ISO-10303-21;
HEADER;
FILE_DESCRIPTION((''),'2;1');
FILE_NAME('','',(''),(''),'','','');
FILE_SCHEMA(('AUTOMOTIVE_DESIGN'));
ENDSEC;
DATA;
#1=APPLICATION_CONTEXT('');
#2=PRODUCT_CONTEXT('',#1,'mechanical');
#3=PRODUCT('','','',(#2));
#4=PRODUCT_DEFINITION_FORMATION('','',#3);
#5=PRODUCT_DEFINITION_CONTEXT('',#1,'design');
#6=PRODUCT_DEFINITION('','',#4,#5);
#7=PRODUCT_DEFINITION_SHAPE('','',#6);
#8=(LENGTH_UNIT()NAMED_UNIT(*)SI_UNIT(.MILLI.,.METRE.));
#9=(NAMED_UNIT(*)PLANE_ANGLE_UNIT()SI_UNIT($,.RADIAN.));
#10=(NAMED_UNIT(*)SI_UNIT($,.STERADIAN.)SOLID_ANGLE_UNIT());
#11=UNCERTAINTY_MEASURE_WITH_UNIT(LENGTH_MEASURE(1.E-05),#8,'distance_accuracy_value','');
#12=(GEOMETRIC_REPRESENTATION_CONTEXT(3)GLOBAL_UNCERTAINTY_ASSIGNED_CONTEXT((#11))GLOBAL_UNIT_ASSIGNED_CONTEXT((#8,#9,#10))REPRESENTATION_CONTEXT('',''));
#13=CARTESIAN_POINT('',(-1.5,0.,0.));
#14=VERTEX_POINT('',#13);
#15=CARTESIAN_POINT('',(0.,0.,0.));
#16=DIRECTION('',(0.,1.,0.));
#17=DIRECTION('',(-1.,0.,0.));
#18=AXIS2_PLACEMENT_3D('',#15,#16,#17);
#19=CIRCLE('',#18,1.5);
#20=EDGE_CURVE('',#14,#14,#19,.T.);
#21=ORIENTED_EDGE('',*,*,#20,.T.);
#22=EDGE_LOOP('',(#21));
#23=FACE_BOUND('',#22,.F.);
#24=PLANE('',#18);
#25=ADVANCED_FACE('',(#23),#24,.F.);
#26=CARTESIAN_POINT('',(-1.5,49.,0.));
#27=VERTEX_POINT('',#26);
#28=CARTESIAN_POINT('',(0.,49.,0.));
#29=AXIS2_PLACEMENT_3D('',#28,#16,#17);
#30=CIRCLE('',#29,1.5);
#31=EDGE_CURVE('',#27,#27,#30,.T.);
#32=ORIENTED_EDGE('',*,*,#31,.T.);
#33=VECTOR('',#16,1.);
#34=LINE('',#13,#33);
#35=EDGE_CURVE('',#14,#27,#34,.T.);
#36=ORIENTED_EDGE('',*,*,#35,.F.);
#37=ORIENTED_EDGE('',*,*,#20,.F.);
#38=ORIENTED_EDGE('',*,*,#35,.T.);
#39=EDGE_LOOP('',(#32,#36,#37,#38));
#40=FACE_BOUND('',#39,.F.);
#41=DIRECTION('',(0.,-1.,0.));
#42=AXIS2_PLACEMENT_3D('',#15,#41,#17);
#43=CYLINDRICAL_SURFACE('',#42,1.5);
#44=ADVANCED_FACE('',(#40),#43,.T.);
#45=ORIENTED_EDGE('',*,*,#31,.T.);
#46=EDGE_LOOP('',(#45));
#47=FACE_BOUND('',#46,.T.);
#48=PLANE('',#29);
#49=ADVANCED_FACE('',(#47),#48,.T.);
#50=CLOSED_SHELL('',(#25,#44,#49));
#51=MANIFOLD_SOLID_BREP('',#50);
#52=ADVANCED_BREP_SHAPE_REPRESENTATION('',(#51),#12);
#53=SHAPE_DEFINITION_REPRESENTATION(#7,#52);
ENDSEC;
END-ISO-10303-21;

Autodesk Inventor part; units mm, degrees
ref_plane "YZ Plane" through (0, 0, 0) normal (1, 0, 0) x (0, 1, 0)
ref_plane "XZ Plane" through (0, 0, 0) normal (0, 1, 0) x (-1, 0, 0)
ref_plane "XY Plane" through (0, 0, 0) normal (0, 0, 1) x (1, 0, 0)
sketch "スケッチ1" plane through (0, 0, 0) normal (0, 1, 0) x (-1, 0, 0)
  circle A0 centre (0, 0) radius 1.5
  dimension "d0" = 3
extrude "押し出し1" add sketch "スケッチ1" along normal blind 49
properties part number "タミヤダンパー部品5" material "真鍮"
